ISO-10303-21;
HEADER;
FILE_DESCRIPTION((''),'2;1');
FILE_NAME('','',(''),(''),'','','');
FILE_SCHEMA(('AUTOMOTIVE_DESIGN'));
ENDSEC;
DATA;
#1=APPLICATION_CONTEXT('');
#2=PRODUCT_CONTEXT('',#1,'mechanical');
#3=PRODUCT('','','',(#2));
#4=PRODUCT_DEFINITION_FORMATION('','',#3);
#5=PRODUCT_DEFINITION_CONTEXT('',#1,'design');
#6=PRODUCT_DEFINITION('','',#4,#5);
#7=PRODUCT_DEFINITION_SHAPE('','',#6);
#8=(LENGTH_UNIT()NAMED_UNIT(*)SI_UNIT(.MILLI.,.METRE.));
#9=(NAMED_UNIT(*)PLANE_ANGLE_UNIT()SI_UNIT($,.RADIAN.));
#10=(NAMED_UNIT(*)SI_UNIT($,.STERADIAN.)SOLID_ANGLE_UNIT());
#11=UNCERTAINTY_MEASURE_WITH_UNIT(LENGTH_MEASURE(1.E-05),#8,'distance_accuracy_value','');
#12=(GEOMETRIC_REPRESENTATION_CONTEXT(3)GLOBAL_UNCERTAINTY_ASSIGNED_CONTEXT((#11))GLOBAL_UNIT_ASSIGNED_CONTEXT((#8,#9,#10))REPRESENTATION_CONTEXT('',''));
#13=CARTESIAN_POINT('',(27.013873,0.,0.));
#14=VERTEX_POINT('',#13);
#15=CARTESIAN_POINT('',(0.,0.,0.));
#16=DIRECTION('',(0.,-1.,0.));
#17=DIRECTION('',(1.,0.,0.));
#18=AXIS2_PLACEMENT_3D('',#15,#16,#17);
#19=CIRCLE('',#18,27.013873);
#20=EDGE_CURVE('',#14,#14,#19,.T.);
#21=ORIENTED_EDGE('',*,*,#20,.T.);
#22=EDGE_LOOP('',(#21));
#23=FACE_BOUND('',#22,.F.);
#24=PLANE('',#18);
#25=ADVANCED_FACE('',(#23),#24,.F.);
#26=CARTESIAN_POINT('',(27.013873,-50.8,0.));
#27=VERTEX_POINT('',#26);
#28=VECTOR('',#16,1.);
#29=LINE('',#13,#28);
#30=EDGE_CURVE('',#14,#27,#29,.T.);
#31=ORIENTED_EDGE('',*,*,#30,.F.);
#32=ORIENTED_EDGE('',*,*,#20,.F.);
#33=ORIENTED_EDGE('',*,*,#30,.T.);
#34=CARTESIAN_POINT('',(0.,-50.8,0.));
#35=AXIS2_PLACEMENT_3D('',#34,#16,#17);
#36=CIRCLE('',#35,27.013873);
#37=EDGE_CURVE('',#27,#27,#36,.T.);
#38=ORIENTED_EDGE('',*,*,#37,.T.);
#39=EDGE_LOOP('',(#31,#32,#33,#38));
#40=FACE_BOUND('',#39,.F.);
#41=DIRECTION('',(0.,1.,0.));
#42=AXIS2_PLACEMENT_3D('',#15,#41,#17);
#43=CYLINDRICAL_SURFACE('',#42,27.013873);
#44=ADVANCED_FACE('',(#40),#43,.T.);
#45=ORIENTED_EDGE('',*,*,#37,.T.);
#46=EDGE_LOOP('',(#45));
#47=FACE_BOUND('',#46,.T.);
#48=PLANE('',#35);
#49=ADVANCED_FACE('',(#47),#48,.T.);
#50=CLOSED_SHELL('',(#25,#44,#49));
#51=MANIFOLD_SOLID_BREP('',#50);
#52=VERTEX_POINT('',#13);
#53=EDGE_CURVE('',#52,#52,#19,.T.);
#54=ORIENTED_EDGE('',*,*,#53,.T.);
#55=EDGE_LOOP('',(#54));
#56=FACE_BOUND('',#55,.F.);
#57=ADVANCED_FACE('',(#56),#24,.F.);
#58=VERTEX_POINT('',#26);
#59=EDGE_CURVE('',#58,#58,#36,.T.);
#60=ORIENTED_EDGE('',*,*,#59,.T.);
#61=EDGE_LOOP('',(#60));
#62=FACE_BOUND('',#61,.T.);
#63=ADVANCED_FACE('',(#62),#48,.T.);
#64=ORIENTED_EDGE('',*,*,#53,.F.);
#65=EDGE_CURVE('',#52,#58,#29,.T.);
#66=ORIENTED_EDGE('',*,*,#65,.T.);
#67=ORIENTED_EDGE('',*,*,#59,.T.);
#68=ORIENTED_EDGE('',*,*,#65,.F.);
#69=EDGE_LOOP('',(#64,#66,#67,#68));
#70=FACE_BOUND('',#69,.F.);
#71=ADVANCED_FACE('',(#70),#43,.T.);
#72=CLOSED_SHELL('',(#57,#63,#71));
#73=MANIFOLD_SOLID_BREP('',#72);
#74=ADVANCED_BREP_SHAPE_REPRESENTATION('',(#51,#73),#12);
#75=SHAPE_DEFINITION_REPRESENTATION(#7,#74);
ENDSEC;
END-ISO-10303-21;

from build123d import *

# Parameters (mm, degrees)
F0_R     = 27.0138728345
F2_DEPTH = 50.8
F1_R     = 27.0138728345


with BuildPart() as f2:
    # F0 (on Front) → F2 (new body)
    with BuildSketch(Plane.XZ):
        Circle(F0_R)
    extrude(amount=F2_DEPTH)


with BuildPart() as f2b:
    # F1 (on face) → F2, piece 2 (new body)
    with BuildSketch(Plane.XZ):
        Circle(F1_R)
    extrude(amount=F2_DEPTH)


solid = Compound([f2.part, f2b.part])
